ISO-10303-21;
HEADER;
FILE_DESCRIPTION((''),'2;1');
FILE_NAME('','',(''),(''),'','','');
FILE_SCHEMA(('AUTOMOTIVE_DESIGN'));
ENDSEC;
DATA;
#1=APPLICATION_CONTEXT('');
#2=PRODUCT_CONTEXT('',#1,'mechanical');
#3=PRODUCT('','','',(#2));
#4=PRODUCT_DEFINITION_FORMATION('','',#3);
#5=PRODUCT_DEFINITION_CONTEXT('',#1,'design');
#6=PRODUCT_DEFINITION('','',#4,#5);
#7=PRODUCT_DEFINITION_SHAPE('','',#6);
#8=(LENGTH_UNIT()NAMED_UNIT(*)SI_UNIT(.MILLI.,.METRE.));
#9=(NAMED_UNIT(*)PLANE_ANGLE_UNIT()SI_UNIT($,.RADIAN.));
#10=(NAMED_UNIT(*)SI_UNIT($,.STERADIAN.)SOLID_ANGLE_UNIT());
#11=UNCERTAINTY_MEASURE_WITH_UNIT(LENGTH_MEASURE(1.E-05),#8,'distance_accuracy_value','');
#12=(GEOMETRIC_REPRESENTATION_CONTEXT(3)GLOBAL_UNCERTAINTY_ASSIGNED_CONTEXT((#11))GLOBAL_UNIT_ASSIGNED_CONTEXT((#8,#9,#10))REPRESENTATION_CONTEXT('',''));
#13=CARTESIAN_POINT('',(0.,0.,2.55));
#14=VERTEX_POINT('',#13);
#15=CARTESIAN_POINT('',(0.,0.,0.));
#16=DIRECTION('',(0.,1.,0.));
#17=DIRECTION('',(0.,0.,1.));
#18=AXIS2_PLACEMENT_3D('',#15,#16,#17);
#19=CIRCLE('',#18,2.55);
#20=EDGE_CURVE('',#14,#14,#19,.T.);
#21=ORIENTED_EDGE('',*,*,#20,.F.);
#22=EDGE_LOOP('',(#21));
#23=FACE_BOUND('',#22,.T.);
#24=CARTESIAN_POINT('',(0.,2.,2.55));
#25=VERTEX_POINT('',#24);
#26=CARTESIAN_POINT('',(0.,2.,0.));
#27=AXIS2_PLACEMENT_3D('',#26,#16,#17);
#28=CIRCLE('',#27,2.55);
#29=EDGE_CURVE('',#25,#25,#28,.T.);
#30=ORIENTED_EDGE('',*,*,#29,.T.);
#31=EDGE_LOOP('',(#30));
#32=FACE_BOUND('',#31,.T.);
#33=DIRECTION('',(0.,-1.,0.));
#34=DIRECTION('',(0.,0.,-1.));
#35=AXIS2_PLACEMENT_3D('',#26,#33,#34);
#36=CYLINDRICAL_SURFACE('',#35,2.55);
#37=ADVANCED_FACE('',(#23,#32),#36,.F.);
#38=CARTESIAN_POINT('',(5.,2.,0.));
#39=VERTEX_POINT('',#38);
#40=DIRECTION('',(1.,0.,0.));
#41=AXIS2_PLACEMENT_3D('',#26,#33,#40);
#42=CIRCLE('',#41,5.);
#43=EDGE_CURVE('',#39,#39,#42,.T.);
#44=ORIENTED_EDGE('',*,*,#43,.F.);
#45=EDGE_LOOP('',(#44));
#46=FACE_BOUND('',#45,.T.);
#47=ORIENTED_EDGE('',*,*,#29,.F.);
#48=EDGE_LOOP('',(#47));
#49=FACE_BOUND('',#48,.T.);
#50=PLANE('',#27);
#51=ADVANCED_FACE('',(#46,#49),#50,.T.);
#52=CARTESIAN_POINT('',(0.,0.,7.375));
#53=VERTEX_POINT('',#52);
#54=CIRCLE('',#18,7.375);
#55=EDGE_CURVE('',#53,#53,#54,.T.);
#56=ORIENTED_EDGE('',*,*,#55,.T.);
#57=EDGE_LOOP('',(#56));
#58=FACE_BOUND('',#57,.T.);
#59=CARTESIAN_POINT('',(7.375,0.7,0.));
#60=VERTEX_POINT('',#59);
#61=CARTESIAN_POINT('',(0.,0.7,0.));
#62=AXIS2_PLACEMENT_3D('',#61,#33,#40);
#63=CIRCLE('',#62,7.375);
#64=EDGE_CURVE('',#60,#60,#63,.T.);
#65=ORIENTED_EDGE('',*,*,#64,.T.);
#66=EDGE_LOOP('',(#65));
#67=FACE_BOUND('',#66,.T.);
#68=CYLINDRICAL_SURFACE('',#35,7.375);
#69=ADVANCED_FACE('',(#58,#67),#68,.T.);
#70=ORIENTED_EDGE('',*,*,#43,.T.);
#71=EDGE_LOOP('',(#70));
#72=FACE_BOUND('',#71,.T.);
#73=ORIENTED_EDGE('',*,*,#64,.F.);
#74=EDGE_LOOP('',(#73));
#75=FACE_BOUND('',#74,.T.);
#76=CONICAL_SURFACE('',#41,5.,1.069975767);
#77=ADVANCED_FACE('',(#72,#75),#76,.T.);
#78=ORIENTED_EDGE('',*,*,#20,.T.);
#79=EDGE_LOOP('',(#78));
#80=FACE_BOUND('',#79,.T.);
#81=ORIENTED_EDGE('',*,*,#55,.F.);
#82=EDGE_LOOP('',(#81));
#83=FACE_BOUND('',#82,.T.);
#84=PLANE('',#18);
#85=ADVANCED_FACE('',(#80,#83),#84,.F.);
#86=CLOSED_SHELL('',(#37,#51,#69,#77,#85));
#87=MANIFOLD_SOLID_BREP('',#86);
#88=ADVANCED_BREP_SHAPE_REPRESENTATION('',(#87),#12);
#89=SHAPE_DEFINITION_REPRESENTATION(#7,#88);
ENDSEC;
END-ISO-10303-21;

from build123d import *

# Parameters (mm, degrees)
SKETCH1_R           = 7.375
SKETCH1_R_2         = 2.55
BOSS_EXTRUDE1_DEPTH = 2


with BuildPart() as part:
    # Sketch1 → Boss-Extrude1 (new body)
    with BuildSketch(Plane(origin=(0, 0, 0), x_dir=(1, 0, 0), z_dir=(0, 1, 0))):
        with Locations(Location((0, 0, 0), (0, 0, 270))):
            Circle(SKETCH1_R)
        with Locations(Location((0, 0, 0), (0, 0, 270))):
            Circle(SKETCH1_R_2, mode=Mode.SUBTRACT)
    extrude(amount=BOSS_EXTRUDE1_DEPTH)

    # Sketch2 → Cut-Revolve1 (revolve, cut)
    with BuildSketch(Plane.XY):
        Polygon((5, 2), (7.375, 0.7), (7.375, 2), align=None)
    revolve(axis=Axis((0, 0, 0), (0, 1, 0)), mode=Mode.SUBTRACT)


solid = part.part
